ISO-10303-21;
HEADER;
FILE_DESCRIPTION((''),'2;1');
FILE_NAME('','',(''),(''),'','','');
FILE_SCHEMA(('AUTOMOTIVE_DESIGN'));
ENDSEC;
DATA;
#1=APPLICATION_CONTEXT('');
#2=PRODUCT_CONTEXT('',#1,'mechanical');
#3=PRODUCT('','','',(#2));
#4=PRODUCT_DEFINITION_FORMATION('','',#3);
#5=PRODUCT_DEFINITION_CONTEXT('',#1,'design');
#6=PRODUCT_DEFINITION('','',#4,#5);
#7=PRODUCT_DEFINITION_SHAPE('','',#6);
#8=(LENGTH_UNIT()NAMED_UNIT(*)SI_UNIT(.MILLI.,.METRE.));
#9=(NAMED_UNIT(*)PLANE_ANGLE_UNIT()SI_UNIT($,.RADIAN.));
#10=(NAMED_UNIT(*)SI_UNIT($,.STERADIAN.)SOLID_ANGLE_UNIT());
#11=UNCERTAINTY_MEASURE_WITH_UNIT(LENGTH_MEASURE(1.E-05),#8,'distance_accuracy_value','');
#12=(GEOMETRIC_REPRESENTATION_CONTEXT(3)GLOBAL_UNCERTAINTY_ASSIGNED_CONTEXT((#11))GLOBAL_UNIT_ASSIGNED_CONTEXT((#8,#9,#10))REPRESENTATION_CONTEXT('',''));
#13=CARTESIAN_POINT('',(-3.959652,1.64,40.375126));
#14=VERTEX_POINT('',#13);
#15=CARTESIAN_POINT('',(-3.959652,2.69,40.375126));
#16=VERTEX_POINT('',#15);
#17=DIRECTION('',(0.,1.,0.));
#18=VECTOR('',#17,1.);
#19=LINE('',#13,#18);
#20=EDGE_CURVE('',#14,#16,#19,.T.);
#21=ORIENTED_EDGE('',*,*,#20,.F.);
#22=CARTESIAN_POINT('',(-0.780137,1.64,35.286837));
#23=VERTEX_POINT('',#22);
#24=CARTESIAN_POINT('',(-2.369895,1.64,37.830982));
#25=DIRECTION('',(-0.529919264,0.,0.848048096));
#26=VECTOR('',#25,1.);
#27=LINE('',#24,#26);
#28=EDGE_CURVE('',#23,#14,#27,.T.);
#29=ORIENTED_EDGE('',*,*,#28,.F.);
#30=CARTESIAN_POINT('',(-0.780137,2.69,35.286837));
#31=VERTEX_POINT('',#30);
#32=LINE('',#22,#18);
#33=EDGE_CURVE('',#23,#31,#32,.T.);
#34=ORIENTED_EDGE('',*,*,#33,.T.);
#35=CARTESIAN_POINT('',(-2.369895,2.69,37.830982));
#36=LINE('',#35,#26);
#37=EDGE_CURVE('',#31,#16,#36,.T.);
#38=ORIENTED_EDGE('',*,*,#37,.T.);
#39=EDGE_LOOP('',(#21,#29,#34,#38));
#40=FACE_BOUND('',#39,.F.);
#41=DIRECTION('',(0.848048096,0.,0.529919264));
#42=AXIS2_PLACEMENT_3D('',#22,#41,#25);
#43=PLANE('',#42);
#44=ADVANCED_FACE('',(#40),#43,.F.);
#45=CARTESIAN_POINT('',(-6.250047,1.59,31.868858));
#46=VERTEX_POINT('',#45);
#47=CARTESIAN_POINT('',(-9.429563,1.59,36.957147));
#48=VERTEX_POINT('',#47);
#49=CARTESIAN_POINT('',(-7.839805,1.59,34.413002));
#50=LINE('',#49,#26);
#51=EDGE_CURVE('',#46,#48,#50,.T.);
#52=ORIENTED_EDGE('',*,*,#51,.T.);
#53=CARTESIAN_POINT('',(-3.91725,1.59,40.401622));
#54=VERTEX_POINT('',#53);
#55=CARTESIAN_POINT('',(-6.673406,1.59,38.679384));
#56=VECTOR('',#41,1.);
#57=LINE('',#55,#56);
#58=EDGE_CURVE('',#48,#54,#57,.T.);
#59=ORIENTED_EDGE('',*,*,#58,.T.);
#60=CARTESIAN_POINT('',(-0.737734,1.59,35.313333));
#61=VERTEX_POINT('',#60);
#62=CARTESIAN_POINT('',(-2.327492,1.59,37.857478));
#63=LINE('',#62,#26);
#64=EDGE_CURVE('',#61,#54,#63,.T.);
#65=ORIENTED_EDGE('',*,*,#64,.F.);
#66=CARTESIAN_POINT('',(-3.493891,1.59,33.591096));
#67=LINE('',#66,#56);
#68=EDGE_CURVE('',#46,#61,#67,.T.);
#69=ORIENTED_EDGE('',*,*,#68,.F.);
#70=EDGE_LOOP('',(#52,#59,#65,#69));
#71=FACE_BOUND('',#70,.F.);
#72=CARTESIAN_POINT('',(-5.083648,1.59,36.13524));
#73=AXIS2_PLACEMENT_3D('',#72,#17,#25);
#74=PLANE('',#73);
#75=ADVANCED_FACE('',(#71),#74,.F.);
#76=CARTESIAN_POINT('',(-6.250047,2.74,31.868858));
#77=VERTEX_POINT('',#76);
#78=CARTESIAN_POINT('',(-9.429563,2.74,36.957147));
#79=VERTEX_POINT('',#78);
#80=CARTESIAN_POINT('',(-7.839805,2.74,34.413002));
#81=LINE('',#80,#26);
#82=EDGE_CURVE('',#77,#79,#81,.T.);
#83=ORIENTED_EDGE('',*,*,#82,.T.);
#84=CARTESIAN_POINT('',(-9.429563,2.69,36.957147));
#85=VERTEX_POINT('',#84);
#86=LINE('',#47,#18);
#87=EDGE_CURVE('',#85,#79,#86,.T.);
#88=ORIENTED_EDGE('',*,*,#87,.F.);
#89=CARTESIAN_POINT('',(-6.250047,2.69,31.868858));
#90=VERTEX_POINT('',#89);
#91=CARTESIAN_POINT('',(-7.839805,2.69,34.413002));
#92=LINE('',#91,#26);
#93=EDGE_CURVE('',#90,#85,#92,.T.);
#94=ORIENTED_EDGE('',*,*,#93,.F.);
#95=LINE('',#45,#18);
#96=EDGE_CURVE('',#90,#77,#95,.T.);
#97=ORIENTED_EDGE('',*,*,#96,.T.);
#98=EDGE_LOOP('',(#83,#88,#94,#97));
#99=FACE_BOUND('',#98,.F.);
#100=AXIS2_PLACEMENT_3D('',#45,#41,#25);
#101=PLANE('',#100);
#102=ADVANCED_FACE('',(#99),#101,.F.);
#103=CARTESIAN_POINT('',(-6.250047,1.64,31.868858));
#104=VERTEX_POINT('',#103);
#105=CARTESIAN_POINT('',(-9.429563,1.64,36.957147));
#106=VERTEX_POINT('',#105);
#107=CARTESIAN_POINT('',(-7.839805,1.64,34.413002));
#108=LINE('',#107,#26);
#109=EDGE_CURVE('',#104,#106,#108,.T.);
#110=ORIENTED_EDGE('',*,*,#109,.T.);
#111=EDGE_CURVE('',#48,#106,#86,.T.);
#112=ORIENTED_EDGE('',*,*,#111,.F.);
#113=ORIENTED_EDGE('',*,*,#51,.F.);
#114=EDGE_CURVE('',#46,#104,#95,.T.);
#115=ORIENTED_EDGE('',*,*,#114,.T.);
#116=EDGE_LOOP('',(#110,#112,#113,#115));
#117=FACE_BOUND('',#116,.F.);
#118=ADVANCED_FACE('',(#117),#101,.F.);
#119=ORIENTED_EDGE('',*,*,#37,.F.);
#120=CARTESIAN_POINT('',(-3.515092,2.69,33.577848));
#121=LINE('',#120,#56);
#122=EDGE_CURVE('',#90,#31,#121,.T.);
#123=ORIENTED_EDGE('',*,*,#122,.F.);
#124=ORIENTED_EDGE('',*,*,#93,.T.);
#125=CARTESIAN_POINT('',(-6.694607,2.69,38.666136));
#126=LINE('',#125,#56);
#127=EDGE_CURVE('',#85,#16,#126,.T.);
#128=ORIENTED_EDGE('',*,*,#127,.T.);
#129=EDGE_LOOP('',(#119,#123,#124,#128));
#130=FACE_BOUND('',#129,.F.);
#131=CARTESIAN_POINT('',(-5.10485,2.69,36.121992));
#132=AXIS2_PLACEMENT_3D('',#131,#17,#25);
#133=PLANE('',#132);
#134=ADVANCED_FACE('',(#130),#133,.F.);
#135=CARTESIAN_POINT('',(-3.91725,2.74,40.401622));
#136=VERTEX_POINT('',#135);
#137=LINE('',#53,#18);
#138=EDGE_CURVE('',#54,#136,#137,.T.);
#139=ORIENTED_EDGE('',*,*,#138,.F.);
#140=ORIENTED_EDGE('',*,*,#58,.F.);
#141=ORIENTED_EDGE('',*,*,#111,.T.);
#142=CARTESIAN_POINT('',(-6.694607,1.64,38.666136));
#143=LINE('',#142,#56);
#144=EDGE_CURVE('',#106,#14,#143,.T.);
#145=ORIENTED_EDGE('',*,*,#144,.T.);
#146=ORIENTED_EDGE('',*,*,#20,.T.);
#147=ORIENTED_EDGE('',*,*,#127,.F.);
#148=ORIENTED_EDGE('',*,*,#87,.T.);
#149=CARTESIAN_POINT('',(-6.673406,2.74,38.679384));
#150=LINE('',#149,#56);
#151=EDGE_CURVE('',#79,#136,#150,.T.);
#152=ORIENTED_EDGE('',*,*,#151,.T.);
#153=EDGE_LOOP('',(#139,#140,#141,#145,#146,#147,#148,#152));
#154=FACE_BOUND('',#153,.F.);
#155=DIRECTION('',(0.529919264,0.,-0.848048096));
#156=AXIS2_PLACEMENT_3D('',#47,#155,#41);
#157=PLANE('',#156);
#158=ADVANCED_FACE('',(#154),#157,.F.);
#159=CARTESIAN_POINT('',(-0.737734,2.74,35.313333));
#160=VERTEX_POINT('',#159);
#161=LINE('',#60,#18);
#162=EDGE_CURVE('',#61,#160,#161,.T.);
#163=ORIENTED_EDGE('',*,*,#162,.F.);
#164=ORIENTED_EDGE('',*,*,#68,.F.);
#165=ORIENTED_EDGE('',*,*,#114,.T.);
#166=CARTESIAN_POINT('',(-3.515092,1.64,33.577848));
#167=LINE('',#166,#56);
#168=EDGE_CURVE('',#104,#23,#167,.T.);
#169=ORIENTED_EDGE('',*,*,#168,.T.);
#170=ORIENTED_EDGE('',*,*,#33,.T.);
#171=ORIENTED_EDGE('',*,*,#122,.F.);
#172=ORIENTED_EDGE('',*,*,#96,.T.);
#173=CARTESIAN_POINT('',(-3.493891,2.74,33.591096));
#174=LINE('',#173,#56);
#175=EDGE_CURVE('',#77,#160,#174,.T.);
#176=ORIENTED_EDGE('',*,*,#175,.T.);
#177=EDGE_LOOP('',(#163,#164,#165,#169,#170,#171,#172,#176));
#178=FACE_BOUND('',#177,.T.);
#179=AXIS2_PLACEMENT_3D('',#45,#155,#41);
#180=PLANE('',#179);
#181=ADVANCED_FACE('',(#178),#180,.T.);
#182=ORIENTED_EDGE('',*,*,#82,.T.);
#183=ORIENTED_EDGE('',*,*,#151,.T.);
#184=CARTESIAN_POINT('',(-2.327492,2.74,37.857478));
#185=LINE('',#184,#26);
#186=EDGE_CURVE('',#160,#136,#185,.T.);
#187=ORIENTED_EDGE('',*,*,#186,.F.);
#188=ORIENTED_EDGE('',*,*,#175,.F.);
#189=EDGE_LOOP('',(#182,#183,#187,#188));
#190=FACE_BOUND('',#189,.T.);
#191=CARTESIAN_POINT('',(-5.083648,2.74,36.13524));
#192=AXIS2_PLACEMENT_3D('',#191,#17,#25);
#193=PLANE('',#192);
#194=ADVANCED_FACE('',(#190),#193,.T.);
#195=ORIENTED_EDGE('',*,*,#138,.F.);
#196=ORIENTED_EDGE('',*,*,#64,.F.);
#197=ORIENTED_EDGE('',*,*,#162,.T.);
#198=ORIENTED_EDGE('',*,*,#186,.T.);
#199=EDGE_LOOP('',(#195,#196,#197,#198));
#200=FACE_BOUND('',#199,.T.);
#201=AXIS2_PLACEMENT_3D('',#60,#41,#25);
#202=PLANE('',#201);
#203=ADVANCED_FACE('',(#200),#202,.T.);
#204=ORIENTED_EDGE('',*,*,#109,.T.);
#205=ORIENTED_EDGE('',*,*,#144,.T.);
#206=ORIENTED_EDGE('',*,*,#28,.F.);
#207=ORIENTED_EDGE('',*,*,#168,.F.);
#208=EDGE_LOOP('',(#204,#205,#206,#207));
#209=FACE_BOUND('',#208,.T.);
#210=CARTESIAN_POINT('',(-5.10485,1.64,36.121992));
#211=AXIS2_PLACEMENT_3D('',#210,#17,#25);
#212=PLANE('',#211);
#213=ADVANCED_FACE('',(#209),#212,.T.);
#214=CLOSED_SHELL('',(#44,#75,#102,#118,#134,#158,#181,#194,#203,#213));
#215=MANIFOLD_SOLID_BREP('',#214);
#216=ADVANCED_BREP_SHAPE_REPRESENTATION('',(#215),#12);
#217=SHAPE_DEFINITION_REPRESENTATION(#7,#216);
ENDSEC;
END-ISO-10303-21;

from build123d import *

# Parameters (mm, degrees)
BOX147_W               = 6
BOX147_H               = 6.45
BOX147_DEPTH           = 1.05
BOX146_W               = 6
BOX146_H               = 6.5
BOX146_DEPTH           = 1.15
CUT068_ROLL_ANGLE      = 90
CUT068_PITCH_ANGLE     = -58
CUT068_PLACEMENT_ANGLE = 180


with BuildPart() as small_cu_gnd_electrode058:
    # Box147 → Box147 (new body)
    with BuildSketch(Plane.XY.offset(0.05)):
        with Locations((3, 3.225)):
            Rectangle(BOX147_W, BOX147_H)
    extrude(amount=BOX147_DEPTH)


with BuildPart() as small_cu_electrode_short_axis_gnd006:
    # Box146 → Box146 (new body)
    with BuildSketch(Plane.XY):
        with Locations((3, 3.25)):
            Rectangle(BOX146_W, BOX146_H)
    extrude(amount=BOX146_DEPTH)

    # Cut068: cut Small Cu GND Electrode058
    add(small_cu_gnd_electrode058.part, mode=Mode.SUBTRACT)


with BuildPart() as small_cu_electrode_short_axis_gnd006_1:
    # Cut068 roll: moved
    add(small_cu_electrode_short_axis_gnd006.part.rotate(Axis((0, 0, 0), (1, 0, 0)), CUT068_ROLL_ANGLE))


with BuildPart() as small_cu_electrode_short_axis_gnd006_2:
    # Cut068 pitch: moved
    add(small_cu_electrode_short_axis_gnd006_1.part.rotate(Axis((0, 0, 0), (0, 1, 0)), CUT068_PITCH_ANGLE))


with BuildPart() as small_cu_electrode_short_axis_gnd006_3:
    # Cut068 placement: moved
    add(small_cu_electrode_short_axis_gnd006_2.part.moved(Location((-6.250047, 1.59, 31.868858))).rotate(Axis((-6.250047, 1.59, 31.868858), (0, 0, 1)), CUT068_PLACEMENT_ANGLE))


solid = small_cu_electrode_short_axis_gnd006_3.part
